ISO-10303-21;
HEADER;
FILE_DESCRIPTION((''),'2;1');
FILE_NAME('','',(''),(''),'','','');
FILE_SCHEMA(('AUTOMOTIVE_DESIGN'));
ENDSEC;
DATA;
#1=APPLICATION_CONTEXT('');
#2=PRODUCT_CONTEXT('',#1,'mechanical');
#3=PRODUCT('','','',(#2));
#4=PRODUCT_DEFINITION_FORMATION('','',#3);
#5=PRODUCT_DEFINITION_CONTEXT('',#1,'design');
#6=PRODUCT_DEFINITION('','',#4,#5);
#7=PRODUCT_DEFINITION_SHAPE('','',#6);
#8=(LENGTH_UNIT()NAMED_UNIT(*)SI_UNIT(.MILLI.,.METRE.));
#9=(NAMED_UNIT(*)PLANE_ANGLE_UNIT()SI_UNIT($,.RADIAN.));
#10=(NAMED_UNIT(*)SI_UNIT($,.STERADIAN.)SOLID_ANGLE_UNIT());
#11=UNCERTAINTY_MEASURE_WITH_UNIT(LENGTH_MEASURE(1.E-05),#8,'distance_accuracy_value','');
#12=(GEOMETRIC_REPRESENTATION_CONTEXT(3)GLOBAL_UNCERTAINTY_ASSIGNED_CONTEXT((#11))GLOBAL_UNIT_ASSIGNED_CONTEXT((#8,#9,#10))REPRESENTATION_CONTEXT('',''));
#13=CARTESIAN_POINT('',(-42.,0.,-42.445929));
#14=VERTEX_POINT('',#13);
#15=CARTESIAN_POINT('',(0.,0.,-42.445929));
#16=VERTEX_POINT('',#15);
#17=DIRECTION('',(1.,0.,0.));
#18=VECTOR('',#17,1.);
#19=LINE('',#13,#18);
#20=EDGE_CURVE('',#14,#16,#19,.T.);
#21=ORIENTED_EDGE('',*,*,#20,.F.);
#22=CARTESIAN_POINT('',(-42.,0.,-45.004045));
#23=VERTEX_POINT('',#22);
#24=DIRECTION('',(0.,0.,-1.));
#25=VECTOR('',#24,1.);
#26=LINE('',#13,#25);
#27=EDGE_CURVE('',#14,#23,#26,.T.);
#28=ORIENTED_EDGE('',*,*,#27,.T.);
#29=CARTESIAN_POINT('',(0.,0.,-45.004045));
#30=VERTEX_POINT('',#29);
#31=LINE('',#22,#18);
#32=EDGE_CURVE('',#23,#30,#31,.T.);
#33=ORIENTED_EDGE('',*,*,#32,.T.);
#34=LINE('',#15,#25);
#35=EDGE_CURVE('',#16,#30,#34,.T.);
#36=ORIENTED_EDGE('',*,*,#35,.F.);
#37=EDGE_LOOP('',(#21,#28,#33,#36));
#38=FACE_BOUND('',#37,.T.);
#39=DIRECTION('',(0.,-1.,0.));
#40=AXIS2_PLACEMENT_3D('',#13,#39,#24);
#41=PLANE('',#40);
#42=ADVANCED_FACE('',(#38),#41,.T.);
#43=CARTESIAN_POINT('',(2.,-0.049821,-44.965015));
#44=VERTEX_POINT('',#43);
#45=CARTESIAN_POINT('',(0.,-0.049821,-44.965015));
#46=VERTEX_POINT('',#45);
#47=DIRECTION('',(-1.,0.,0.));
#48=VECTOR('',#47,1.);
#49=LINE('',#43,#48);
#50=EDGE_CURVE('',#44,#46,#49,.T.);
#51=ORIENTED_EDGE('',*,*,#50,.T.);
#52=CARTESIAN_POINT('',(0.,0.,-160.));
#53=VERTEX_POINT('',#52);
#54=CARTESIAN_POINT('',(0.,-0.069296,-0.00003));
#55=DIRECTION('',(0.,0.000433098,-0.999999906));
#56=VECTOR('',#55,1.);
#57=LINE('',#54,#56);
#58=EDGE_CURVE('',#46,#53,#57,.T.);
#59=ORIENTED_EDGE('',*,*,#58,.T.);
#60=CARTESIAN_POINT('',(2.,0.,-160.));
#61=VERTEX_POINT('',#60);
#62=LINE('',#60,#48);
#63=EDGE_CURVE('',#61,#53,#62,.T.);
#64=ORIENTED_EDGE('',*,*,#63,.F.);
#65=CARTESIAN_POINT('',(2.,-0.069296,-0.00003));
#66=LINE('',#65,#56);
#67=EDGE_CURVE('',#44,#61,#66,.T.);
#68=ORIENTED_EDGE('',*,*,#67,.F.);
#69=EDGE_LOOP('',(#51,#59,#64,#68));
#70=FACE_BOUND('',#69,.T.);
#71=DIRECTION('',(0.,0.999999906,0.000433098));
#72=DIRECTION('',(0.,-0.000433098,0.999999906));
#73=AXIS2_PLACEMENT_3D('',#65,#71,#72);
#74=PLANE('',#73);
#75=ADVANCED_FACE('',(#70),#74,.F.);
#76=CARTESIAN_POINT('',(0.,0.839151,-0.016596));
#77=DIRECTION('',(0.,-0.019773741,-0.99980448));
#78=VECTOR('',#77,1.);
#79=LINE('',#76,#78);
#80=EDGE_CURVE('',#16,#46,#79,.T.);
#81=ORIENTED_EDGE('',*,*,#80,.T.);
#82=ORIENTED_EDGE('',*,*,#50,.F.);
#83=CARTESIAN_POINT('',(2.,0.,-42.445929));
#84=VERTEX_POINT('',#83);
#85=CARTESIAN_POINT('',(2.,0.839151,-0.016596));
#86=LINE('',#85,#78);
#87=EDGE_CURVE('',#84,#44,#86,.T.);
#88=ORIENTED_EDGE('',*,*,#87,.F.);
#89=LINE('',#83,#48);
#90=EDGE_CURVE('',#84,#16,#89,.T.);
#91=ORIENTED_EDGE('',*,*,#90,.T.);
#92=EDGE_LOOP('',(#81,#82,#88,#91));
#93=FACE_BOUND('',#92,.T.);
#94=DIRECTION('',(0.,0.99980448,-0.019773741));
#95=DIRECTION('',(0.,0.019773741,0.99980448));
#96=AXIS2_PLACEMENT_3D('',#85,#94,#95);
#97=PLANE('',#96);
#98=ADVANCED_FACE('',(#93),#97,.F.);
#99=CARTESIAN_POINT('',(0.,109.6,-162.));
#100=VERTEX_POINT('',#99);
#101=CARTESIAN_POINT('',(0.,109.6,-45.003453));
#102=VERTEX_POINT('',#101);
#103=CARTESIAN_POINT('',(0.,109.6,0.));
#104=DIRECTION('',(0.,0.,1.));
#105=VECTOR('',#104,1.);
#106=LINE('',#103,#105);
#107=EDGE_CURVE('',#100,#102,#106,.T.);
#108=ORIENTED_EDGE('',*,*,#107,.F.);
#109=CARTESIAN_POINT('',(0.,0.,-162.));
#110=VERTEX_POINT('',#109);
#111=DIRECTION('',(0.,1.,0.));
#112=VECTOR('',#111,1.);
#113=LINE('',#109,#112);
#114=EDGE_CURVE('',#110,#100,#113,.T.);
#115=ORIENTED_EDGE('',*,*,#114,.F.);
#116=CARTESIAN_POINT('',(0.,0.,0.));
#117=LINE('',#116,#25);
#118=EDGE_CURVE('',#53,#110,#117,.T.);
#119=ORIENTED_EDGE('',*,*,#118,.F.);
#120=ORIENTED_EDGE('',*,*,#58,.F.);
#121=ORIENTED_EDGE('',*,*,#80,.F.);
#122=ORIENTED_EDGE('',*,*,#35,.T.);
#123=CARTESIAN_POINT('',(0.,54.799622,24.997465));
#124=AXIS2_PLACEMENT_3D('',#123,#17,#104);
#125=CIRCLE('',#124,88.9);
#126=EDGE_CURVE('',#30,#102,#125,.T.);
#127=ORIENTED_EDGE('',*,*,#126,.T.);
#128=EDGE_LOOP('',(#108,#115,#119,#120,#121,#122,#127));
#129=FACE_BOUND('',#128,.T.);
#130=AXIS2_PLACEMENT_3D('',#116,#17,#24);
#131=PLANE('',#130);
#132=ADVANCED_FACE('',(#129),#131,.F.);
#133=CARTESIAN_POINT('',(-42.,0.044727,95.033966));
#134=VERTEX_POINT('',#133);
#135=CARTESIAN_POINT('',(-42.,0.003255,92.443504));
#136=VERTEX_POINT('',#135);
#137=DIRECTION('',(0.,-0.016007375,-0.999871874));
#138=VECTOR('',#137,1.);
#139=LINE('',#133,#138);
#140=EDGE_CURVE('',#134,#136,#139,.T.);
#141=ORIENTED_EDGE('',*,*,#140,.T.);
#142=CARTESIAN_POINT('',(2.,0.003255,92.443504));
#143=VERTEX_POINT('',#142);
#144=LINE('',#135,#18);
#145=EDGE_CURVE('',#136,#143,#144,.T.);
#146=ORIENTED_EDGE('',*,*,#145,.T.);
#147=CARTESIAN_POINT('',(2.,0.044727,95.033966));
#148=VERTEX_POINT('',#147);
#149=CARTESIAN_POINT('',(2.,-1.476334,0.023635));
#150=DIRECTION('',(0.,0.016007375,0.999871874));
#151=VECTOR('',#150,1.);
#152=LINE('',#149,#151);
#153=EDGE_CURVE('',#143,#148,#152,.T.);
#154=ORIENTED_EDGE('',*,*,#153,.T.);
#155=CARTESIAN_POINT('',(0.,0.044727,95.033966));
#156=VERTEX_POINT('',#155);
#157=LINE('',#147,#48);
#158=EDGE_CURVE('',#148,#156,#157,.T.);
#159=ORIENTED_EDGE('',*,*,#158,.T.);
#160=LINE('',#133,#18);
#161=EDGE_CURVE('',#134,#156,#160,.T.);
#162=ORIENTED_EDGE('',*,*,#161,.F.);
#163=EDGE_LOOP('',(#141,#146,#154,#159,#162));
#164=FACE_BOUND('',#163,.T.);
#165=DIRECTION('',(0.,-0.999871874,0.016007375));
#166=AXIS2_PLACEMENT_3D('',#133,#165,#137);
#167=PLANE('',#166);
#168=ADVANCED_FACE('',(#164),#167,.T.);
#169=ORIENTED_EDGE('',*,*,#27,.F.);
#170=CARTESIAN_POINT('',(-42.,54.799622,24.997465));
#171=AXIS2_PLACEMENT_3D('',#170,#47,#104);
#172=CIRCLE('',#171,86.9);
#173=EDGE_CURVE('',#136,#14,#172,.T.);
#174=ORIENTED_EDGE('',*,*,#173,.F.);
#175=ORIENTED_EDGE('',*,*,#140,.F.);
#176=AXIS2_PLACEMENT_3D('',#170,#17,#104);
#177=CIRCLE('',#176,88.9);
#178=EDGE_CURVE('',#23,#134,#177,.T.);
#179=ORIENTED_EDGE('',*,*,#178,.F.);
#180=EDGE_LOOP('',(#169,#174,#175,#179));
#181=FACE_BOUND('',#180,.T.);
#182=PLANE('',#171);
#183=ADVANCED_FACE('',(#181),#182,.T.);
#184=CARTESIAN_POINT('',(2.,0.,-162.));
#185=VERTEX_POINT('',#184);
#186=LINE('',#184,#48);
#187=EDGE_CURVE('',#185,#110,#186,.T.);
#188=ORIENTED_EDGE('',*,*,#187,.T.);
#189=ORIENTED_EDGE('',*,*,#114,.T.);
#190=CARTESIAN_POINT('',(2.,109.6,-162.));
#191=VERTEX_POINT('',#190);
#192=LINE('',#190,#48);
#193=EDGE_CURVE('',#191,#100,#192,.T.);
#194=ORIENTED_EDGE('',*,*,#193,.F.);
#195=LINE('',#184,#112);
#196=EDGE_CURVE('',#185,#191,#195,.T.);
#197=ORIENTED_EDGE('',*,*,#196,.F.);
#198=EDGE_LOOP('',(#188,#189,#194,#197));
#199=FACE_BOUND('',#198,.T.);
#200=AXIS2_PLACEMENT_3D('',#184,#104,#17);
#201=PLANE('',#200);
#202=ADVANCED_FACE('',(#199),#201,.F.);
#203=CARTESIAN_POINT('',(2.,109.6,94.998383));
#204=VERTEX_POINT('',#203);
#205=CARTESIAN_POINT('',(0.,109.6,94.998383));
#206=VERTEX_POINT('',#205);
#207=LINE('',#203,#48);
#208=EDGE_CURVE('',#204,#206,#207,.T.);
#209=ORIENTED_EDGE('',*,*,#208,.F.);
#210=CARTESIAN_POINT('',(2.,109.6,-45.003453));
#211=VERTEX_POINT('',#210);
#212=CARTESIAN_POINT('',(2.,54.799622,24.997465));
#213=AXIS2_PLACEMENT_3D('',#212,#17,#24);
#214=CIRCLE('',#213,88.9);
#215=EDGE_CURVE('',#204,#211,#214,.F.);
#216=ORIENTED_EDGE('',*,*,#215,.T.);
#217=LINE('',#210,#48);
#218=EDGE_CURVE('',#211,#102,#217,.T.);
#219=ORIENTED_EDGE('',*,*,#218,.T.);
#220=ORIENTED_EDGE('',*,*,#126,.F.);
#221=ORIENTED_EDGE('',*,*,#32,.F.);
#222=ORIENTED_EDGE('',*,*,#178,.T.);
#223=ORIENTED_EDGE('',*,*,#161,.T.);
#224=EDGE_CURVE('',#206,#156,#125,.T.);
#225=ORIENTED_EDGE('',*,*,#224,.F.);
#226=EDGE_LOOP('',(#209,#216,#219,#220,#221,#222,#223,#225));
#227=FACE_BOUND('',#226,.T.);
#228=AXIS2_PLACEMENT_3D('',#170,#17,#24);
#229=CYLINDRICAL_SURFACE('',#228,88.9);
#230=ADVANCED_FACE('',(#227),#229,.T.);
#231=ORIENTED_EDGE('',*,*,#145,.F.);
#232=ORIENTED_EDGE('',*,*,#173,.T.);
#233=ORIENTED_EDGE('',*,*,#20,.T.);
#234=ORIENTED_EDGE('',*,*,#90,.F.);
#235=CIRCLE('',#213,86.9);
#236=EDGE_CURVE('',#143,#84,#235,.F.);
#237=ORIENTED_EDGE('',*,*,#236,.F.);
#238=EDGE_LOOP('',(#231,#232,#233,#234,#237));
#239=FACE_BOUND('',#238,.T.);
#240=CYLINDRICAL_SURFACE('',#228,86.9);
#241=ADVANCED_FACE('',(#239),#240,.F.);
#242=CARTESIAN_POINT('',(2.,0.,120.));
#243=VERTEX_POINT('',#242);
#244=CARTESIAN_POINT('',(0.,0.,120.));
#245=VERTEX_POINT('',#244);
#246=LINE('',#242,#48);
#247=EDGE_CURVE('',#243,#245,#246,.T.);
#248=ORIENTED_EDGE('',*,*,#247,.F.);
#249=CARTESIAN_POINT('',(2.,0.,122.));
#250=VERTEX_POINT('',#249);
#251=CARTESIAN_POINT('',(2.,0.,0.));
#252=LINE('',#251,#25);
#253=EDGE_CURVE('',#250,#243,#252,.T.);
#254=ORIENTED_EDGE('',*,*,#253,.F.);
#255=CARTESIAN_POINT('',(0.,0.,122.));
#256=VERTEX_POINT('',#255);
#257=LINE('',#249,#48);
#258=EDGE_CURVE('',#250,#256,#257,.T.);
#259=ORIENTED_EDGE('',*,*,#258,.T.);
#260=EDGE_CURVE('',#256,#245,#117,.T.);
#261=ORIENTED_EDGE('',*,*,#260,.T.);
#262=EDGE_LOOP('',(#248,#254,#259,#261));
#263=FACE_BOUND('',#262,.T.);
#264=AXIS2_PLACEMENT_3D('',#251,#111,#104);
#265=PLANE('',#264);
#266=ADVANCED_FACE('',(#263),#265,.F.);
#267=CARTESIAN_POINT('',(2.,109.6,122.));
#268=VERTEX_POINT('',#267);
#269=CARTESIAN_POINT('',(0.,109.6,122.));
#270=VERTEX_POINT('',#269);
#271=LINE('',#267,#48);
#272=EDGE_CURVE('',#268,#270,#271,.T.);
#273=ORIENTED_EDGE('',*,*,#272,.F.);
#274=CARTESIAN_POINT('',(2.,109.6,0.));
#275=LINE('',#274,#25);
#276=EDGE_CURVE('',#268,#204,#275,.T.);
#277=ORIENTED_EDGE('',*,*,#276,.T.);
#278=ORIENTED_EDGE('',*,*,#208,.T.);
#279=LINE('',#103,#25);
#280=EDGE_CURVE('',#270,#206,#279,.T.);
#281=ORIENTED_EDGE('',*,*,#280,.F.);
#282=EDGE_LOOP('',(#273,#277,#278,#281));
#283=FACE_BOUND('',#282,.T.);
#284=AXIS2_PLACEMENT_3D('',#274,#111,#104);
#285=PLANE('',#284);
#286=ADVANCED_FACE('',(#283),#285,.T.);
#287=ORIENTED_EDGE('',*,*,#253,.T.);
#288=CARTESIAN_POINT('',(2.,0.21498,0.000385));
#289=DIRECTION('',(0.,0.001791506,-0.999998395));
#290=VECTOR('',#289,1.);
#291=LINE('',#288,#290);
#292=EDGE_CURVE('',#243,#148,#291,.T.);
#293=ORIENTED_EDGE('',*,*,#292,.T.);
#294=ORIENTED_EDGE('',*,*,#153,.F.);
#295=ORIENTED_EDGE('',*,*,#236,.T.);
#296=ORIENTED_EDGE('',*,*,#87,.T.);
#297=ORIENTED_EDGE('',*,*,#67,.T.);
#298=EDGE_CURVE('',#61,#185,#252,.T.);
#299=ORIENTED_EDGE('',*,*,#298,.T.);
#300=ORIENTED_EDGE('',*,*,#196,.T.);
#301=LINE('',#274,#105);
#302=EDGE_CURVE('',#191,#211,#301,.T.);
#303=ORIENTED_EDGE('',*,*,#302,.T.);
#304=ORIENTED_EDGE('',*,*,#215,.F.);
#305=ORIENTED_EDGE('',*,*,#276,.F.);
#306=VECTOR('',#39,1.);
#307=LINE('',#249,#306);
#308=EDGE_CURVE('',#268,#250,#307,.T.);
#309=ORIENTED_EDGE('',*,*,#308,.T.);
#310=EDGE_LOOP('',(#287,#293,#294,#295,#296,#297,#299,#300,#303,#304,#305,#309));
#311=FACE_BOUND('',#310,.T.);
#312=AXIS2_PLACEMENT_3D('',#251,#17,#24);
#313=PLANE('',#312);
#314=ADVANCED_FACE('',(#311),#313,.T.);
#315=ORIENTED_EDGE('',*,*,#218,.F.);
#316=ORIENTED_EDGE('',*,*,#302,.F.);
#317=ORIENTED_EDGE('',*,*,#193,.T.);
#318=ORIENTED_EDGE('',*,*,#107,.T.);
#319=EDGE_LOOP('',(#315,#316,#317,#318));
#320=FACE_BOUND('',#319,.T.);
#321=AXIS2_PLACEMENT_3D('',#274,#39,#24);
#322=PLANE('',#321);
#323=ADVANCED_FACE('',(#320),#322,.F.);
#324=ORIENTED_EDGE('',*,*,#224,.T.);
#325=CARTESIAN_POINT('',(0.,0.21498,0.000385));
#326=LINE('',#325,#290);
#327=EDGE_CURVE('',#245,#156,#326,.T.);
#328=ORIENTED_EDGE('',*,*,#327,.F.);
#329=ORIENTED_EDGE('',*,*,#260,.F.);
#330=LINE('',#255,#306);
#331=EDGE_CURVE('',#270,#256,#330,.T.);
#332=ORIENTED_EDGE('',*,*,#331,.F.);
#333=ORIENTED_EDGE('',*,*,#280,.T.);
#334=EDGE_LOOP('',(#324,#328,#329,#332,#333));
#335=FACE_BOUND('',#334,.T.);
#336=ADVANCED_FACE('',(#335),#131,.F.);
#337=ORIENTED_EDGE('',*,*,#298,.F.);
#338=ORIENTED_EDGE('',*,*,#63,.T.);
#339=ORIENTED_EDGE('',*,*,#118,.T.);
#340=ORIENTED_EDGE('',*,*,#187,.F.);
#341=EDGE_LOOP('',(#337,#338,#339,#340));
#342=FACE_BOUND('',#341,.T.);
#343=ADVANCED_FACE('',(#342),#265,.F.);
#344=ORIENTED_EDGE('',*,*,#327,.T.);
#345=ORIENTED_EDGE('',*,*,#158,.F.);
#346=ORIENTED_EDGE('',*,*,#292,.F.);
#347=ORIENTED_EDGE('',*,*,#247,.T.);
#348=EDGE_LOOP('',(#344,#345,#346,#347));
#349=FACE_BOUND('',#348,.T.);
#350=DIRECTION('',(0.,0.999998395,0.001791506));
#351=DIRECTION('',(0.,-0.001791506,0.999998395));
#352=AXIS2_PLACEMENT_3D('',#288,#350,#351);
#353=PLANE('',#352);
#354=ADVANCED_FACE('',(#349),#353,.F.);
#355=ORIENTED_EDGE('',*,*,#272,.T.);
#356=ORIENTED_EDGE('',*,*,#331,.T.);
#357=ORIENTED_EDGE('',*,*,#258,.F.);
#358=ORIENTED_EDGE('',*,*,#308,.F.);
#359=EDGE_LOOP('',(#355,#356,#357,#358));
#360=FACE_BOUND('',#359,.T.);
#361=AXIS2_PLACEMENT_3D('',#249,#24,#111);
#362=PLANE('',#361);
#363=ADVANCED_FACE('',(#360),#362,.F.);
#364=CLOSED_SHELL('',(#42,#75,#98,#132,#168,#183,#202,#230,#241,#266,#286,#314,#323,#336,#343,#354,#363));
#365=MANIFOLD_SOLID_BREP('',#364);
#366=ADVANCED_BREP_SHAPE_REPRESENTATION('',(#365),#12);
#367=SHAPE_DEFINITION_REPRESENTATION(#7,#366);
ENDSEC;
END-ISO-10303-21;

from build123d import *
from build123d.topology import SkipClean

# Parameters (mm, degrees)
BOSS_EXTRUDE1_DEPTH = 42.000000074
BOSS_EXTRUDE4_START = 2.000000064
BOSS_EXTRUDE4_DEPTH = 2.000000064


with BuildPart() as part:
    # Sketch1 → Boss-Extrude1 (new body)
    with BuildSketch(Plane(origin=(0, 0, 0), x_dir=(0, 0, -1), z_dir=(1, 0, 0))):
        with BuildLine():
            Line((-95.033966152, 0.044726877), (-92.443504117, 0.003255065))
            ThreePointArc((-92.443504117, 0.003255065), (-24.995368101, 141.699621751), (42.445929187, 0))
            Line((42.445929187, 0), (45.004045198, 0))
            ThreePointArc((45.004045198, 0), (-24.96907126, 143.699617306), (-95.033966152, 0.044726877))
        make_face()
    extrude(amount=-BOSS_EXTRUDE1_DEPTH)

    # Sketch2 → Boss-Extrude4 (add)
    with SkipClean():  # the faces are left unmerged after this step: merging them gives an invalid solid
        with BuildSketch(Plane(origin=(0, 0, 0), x_dir=(0, 0, -1), z_dir=(1, 0, 0)).offset(BOSS_EXTRUDE4_START)):
            with BuildLine():
                Line((-122.000000064, 0), (-120, 0))
                Line((-120, 0), (-95.033966152, 0.044726877))
                ThreePointArc((-95.033966152, 0.044726877), (-113.897460426, 54.828495951), (-94.998383349, 109.6))
                Line((-94.998383349, 109.6), (-120, 109.6))
                Line((-120, 109.6), (-122.000000064, 109.6))
                Line((-122.000000064, 109.6), (-122.000000064, 0))
            make_face()
            with BuildLine():
                ThreePointArc((-95.033966152, 0.044726877), (-24.937426484, 143.699601567), (44.965014594, -0.049821483))
                Line((44.965014594, -0.049821483), (42.445929187, 0))
                ThreePointArc((42.445929187, 0), (-24.995368101, 141.699621751), (-92.443504117, 0.003255065))
                Line((-92.443504117, 0.003255065), (-95.033966152, 0.044726877))
            make_face()
            with BuildLine():
                Line((50, 109.6), (45.003453118, 109.6))
                ThreePointArc((45.003453118, 109.6), (63.902529422, 54.768457316), (44.965014594, -0.049821483))
                Line((44.965014594, -0.049821483), (160, 0))
                Line((160, 0), (162.000000064, 0))
                Line((162.000000064, 0), (162.000000064, 109.6))
                Line((162.000000064, 109.6), (160, 109.6))
                Line((160, 109.6), (50, 109.6))
            make_face()
        extrude(amount=-BOSS_EXTRUDE4_DEPTH)


solid = part.part
